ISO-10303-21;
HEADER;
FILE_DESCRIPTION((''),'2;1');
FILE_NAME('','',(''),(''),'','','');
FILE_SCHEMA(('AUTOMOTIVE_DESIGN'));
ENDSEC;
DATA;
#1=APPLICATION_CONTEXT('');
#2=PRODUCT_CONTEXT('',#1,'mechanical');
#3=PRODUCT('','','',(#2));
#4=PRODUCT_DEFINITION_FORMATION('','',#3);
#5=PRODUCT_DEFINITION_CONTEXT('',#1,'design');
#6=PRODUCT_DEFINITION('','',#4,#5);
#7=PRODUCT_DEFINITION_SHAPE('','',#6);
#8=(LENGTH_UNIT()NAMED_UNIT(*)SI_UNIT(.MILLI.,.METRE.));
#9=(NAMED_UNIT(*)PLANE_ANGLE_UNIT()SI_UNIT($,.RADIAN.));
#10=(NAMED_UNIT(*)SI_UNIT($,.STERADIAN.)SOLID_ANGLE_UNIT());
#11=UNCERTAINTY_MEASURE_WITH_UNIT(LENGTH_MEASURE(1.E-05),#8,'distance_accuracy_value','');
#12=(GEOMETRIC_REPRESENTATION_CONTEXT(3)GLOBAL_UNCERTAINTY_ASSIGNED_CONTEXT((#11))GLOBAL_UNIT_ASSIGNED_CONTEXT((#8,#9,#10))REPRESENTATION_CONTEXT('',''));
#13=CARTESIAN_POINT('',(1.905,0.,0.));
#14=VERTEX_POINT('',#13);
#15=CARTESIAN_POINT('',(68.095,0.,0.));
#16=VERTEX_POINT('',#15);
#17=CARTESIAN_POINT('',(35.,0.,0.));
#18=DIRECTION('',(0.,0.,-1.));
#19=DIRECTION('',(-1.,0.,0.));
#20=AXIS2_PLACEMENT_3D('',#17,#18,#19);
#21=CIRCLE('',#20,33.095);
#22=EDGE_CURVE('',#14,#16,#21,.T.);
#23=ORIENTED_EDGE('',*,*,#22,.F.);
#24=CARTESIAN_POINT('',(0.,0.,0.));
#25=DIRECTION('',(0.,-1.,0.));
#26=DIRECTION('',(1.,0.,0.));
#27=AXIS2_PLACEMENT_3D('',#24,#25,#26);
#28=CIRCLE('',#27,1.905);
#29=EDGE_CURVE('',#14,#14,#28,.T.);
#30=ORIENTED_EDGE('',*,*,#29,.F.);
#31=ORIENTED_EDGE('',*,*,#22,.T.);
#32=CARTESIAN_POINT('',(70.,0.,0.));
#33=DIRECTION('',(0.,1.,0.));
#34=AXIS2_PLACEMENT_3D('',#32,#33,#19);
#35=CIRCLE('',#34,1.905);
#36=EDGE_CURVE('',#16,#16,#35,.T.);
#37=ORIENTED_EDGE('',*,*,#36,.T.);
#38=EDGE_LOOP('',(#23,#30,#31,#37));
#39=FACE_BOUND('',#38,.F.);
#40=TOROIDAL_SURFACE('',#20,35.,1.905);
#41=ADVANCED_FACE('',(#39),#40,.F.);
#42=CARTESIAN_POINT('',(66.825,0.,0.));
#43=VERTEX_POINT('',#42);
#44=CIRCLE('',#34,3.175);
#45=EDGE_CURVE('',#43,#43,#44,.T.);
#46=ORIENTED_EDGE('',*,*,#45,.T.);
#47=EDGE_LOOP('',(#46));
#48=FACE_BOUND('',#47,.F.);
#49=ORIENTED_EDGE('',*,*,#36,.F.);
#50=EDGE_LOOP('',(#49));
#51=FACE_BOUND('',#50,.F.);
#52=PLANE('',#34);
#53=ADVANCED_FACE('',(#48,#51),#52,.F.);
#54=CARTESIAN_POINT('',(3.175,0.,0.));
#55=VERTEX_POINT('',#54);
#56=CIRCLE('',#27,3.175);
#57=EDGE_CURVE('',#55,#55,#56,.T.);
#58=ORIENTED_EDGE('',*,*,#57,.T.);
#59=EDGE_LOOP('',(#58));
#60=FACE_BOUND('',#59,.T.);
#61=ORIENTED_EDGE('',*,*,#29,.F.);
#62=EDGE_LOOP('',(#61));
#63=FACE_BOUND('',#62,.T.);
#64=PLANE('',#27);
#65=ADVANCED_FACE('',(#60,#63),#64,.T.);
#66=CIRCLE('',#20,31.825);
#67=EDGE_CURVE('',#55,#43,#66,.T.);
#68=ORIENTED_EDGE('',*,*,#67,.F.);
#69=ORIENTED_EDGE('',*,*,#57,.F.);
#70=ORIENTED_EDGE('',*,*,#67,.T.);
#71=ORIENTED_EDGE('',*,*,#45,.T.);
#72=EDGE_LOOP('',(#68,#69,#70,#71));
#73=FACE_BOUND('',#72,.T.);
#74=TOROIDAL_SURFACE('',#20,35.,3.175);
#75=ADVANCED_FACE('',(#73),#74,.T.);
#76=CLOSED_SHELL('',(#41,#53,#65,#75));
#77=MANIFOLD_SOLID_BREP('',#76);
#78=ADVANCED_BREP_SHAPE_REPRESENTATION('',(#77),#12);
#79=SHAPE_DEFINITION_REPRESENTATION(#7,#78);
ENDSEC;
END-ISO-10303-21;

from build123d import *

# Parameters (mm, degrees)
F0_R     = 3.175
F0_R_2   = 1.905
F2_ANGLE = 180


with BuildPart() as f2:
    # F0 (on Front) → F2 (revolve)
    with BuildSketch(Plane.XZ):
        Circle(F0_R)
        Circle(F0_R_2, mode=Mode.SUBTRACT)
    revolve(axis=Axis((35, 0, -1.151308), (0, 0, -1)), revolution_arc=F2_ANGLE)


solid = f2.part
